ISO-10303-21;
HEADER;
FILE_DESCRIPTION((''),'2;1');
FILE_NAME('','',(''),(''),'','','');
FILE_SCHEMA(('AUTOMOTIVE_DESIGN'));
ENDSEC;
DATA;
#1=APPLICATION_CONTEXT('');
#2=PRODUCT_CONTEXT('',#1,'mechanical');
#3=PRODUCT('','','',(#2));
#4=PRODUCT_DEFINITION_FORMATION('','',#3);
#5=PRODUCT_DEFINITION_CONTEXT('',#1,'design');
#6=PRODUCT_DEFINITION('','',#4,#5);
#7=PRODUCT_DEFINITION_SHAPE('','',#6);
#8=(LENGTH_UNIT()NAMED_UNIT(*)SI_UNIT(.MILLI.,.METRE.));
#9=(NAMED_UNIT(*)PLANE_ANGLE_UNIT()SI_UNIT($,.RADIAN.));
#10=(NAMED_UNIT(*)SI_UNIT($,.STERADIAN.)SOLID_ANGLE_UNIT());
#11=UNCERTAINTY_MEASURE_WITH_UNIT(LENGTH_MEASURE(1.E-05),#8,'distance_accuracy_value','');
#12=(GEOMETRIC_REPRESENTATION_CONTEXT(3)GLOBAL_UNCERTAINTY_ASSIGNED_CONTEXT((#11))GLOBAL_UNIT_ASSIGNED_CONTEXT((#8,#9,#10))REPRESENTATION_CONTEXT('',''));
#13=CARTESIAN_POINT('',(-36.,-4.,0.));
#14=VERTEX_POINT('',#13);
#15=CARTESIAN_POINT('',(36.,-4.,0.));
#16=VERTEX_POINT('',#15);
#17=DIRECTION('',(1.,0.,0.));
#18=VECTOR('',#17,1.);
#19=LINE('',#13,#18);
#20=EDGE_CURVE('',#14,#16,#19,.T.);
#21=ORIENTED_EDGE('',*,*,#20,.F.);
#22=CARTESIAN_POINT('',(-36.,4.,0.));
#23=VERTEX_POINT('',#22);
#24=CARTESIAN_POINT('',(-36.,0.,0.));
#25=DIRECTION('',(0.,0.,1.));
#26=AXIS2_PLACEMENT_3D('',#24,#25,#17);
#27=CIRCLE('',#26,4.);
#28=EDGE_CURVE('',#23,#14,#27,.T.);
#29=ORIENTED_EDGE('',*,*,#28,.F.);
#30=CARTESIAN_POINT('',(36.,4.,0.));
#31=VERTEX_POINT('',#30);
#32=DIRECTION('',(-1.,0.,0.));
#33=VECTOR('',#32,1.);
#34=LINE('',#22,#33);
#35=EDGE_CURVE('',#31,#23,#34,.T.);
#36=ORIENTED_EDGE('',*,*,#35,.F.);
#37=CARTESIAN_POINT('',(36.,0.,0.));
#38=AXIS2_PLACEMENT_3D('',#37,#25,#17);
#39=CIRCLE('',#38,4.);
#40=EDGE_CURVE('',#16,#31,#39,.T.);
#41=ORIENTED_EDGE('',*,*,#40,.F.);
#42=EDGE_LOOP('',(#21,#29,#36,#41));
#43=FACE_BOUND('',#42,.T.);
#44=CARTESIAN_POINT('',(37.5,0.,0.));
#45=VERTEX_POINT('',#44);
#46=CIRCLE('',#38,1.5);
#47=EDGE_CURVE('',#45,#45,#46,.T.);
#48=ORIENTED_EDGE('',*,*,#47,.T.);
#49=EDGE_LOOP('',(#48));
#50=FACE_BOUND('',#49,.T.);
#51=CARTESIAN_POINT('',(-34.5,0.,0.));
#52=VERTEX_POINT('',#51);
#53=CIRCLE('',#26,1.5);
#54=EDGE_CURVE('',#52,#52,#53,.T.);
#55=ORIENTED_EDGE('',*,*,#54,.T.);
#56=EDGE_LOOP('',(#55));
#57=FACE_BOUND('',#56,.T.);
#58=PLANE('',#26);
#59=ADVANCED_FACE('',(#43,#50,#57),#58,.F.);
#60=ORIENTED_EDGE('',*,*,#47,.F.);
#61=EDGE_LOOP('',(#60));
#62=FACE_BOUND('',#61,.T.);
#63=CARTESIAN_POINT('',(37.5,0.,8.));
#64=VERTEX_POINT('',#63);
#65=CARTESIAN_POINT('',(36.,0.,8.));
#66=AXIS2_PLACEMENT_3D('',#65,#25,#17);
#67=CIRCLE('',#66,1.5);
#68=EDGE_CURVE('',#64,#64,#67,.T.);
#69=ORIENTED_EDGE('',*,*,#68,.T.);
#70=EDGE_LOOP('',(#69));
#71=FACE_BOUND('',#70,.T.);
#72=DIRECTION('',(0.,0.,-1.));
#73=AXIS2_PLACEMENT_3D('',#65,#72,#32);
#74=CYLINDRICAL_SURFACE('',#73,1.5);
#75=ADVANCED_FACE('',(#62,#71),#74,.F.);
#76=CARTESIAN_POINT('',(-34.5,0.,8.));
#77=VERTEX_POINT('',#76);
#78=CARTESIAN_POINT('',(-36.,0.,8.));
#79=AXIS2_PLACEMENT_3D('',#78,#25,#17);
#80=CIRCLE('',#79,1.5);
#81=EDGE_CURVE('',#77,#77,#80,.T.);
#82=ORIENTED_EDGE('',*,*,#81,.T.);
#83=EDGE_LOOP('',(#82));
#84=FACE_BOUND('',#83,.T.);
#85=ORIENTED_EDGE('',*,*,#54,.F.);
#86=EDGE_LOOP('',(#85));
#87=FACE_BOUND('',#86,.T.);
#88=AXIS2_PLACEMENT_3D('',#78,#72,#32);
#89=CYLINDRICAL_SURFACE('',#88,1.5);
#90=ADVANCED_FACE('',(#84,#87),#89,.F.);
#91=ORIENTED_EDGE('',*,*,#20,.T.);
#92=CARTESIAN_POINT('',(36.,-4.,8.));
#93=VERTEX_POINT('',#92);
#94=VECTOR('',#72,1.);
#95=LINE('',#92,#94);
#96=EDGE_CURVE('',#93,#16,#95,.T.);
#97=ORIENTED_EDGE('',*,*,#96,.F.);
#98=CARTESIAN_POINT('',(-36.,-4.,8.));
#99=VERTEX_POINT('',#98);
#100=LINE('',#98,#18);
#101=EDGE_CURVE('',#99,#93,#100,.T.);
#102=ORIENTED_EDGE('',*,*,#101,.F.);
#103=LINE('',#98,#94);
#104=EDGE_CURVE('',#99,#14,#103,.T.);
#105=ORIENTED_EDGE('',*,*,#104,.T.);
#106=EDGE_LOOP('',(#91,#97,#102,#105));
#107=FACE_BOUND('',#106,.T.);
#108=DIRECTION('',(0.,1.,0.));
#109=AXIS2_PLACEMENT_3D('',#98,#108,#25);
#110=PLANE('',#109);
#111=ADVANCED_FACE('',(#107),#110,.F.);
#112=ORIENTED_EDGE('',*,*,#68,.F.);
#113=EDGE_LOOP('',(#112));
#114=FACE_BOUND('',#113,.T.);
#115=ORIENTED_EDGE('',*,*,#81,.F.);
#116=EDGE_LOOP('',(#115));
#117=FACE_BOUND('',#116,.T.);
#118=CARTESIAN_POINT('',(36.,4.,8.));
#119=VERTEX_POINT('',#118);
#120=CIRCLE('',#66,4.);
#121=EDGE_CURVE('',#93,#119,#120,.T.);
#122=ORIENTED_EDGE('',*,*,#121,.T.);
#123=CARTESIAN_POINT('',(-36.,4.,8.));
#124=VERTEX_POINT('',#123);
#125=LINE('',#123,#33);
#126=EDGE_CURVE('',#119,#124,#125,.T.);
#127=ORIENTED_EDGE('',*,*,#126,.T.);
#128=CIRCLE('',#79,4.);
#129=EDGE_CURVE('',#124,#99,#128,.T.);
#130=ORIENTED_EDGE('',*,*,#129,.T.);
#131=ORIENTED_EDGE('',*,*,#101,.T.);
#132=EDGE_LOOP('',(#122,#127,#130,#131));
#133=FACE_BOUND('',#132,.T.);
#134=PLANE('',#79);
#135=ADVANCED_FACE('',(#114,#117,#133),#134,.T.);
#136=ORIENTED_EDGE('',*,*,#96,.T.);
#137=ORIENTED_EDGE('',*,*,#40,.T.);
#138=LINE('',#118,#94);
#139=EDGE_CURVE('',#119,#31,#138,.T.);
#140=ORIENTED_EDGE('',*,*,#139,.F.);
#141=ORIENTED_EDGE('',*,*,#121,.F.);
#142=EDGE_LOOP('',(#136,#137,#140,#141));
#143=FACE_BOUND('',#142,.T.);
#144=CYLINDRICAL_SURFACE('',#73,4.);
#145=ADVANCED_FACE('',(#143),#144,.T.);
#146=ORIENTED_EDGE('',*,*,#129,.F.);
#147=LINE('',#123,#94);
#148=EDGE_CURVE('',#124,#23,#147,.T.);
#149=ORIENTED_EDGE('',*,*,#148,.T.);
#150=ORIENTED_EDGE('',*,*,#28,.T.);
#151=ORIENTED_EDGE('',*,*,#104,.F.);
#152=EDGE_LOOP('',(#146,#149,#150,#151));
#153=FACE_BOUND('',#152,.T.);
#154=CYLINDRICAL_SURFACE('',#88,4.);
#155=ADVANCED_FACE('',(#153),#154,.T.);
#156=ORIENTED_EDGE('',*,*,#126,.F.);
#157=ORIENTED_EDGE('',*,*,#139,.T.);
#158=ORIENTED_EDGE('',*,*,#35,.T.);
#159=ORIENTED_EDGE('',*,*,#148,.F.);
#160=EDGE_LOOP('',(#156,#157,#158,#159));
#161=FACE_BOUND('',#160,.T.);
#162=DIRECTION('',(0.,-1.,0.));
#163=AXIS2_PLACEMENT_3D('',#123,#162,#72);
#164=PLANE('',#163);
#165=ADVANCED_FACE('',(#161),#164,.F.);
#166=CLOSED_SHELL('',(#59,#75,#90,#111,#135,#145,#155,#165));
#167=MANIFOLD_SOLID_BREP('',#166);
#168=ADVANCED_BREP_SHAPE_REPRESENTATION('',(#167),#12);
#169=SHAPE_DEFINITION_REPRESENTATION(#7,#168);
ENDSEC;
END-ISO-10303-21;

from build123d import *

# Parameters (mm, degrees)
SKETCH1_R           = 1.5
BOSS_EXTRUDE1_DEPTH = 8


with BuildPart() as part:
    # Sketch1 → Boss-Extrude1 (new body)
    with BuildSketch(Plane.XY):
        with BuildLine():
            Line((-36, 4), (36, 4))
            ThreePointArc((36, 4), (40, 0), (36, -4))
            Line((36, -4), (-36, -4))
            ThreePointArc((-36, -4), (-40, 0), (-36, 4))
        make_face()
        with Locations((36, 0)):
            Circle(SKETCH1_R, mode=Mode.SUBTRACT)
        with Locations((-36, 0)):
            Circle(SKETCH1_R, mode=Mode.SUBTRACT)
    extrude(amount=BOSS_EXTRUDE1_DEPTH)


solid = part.part
